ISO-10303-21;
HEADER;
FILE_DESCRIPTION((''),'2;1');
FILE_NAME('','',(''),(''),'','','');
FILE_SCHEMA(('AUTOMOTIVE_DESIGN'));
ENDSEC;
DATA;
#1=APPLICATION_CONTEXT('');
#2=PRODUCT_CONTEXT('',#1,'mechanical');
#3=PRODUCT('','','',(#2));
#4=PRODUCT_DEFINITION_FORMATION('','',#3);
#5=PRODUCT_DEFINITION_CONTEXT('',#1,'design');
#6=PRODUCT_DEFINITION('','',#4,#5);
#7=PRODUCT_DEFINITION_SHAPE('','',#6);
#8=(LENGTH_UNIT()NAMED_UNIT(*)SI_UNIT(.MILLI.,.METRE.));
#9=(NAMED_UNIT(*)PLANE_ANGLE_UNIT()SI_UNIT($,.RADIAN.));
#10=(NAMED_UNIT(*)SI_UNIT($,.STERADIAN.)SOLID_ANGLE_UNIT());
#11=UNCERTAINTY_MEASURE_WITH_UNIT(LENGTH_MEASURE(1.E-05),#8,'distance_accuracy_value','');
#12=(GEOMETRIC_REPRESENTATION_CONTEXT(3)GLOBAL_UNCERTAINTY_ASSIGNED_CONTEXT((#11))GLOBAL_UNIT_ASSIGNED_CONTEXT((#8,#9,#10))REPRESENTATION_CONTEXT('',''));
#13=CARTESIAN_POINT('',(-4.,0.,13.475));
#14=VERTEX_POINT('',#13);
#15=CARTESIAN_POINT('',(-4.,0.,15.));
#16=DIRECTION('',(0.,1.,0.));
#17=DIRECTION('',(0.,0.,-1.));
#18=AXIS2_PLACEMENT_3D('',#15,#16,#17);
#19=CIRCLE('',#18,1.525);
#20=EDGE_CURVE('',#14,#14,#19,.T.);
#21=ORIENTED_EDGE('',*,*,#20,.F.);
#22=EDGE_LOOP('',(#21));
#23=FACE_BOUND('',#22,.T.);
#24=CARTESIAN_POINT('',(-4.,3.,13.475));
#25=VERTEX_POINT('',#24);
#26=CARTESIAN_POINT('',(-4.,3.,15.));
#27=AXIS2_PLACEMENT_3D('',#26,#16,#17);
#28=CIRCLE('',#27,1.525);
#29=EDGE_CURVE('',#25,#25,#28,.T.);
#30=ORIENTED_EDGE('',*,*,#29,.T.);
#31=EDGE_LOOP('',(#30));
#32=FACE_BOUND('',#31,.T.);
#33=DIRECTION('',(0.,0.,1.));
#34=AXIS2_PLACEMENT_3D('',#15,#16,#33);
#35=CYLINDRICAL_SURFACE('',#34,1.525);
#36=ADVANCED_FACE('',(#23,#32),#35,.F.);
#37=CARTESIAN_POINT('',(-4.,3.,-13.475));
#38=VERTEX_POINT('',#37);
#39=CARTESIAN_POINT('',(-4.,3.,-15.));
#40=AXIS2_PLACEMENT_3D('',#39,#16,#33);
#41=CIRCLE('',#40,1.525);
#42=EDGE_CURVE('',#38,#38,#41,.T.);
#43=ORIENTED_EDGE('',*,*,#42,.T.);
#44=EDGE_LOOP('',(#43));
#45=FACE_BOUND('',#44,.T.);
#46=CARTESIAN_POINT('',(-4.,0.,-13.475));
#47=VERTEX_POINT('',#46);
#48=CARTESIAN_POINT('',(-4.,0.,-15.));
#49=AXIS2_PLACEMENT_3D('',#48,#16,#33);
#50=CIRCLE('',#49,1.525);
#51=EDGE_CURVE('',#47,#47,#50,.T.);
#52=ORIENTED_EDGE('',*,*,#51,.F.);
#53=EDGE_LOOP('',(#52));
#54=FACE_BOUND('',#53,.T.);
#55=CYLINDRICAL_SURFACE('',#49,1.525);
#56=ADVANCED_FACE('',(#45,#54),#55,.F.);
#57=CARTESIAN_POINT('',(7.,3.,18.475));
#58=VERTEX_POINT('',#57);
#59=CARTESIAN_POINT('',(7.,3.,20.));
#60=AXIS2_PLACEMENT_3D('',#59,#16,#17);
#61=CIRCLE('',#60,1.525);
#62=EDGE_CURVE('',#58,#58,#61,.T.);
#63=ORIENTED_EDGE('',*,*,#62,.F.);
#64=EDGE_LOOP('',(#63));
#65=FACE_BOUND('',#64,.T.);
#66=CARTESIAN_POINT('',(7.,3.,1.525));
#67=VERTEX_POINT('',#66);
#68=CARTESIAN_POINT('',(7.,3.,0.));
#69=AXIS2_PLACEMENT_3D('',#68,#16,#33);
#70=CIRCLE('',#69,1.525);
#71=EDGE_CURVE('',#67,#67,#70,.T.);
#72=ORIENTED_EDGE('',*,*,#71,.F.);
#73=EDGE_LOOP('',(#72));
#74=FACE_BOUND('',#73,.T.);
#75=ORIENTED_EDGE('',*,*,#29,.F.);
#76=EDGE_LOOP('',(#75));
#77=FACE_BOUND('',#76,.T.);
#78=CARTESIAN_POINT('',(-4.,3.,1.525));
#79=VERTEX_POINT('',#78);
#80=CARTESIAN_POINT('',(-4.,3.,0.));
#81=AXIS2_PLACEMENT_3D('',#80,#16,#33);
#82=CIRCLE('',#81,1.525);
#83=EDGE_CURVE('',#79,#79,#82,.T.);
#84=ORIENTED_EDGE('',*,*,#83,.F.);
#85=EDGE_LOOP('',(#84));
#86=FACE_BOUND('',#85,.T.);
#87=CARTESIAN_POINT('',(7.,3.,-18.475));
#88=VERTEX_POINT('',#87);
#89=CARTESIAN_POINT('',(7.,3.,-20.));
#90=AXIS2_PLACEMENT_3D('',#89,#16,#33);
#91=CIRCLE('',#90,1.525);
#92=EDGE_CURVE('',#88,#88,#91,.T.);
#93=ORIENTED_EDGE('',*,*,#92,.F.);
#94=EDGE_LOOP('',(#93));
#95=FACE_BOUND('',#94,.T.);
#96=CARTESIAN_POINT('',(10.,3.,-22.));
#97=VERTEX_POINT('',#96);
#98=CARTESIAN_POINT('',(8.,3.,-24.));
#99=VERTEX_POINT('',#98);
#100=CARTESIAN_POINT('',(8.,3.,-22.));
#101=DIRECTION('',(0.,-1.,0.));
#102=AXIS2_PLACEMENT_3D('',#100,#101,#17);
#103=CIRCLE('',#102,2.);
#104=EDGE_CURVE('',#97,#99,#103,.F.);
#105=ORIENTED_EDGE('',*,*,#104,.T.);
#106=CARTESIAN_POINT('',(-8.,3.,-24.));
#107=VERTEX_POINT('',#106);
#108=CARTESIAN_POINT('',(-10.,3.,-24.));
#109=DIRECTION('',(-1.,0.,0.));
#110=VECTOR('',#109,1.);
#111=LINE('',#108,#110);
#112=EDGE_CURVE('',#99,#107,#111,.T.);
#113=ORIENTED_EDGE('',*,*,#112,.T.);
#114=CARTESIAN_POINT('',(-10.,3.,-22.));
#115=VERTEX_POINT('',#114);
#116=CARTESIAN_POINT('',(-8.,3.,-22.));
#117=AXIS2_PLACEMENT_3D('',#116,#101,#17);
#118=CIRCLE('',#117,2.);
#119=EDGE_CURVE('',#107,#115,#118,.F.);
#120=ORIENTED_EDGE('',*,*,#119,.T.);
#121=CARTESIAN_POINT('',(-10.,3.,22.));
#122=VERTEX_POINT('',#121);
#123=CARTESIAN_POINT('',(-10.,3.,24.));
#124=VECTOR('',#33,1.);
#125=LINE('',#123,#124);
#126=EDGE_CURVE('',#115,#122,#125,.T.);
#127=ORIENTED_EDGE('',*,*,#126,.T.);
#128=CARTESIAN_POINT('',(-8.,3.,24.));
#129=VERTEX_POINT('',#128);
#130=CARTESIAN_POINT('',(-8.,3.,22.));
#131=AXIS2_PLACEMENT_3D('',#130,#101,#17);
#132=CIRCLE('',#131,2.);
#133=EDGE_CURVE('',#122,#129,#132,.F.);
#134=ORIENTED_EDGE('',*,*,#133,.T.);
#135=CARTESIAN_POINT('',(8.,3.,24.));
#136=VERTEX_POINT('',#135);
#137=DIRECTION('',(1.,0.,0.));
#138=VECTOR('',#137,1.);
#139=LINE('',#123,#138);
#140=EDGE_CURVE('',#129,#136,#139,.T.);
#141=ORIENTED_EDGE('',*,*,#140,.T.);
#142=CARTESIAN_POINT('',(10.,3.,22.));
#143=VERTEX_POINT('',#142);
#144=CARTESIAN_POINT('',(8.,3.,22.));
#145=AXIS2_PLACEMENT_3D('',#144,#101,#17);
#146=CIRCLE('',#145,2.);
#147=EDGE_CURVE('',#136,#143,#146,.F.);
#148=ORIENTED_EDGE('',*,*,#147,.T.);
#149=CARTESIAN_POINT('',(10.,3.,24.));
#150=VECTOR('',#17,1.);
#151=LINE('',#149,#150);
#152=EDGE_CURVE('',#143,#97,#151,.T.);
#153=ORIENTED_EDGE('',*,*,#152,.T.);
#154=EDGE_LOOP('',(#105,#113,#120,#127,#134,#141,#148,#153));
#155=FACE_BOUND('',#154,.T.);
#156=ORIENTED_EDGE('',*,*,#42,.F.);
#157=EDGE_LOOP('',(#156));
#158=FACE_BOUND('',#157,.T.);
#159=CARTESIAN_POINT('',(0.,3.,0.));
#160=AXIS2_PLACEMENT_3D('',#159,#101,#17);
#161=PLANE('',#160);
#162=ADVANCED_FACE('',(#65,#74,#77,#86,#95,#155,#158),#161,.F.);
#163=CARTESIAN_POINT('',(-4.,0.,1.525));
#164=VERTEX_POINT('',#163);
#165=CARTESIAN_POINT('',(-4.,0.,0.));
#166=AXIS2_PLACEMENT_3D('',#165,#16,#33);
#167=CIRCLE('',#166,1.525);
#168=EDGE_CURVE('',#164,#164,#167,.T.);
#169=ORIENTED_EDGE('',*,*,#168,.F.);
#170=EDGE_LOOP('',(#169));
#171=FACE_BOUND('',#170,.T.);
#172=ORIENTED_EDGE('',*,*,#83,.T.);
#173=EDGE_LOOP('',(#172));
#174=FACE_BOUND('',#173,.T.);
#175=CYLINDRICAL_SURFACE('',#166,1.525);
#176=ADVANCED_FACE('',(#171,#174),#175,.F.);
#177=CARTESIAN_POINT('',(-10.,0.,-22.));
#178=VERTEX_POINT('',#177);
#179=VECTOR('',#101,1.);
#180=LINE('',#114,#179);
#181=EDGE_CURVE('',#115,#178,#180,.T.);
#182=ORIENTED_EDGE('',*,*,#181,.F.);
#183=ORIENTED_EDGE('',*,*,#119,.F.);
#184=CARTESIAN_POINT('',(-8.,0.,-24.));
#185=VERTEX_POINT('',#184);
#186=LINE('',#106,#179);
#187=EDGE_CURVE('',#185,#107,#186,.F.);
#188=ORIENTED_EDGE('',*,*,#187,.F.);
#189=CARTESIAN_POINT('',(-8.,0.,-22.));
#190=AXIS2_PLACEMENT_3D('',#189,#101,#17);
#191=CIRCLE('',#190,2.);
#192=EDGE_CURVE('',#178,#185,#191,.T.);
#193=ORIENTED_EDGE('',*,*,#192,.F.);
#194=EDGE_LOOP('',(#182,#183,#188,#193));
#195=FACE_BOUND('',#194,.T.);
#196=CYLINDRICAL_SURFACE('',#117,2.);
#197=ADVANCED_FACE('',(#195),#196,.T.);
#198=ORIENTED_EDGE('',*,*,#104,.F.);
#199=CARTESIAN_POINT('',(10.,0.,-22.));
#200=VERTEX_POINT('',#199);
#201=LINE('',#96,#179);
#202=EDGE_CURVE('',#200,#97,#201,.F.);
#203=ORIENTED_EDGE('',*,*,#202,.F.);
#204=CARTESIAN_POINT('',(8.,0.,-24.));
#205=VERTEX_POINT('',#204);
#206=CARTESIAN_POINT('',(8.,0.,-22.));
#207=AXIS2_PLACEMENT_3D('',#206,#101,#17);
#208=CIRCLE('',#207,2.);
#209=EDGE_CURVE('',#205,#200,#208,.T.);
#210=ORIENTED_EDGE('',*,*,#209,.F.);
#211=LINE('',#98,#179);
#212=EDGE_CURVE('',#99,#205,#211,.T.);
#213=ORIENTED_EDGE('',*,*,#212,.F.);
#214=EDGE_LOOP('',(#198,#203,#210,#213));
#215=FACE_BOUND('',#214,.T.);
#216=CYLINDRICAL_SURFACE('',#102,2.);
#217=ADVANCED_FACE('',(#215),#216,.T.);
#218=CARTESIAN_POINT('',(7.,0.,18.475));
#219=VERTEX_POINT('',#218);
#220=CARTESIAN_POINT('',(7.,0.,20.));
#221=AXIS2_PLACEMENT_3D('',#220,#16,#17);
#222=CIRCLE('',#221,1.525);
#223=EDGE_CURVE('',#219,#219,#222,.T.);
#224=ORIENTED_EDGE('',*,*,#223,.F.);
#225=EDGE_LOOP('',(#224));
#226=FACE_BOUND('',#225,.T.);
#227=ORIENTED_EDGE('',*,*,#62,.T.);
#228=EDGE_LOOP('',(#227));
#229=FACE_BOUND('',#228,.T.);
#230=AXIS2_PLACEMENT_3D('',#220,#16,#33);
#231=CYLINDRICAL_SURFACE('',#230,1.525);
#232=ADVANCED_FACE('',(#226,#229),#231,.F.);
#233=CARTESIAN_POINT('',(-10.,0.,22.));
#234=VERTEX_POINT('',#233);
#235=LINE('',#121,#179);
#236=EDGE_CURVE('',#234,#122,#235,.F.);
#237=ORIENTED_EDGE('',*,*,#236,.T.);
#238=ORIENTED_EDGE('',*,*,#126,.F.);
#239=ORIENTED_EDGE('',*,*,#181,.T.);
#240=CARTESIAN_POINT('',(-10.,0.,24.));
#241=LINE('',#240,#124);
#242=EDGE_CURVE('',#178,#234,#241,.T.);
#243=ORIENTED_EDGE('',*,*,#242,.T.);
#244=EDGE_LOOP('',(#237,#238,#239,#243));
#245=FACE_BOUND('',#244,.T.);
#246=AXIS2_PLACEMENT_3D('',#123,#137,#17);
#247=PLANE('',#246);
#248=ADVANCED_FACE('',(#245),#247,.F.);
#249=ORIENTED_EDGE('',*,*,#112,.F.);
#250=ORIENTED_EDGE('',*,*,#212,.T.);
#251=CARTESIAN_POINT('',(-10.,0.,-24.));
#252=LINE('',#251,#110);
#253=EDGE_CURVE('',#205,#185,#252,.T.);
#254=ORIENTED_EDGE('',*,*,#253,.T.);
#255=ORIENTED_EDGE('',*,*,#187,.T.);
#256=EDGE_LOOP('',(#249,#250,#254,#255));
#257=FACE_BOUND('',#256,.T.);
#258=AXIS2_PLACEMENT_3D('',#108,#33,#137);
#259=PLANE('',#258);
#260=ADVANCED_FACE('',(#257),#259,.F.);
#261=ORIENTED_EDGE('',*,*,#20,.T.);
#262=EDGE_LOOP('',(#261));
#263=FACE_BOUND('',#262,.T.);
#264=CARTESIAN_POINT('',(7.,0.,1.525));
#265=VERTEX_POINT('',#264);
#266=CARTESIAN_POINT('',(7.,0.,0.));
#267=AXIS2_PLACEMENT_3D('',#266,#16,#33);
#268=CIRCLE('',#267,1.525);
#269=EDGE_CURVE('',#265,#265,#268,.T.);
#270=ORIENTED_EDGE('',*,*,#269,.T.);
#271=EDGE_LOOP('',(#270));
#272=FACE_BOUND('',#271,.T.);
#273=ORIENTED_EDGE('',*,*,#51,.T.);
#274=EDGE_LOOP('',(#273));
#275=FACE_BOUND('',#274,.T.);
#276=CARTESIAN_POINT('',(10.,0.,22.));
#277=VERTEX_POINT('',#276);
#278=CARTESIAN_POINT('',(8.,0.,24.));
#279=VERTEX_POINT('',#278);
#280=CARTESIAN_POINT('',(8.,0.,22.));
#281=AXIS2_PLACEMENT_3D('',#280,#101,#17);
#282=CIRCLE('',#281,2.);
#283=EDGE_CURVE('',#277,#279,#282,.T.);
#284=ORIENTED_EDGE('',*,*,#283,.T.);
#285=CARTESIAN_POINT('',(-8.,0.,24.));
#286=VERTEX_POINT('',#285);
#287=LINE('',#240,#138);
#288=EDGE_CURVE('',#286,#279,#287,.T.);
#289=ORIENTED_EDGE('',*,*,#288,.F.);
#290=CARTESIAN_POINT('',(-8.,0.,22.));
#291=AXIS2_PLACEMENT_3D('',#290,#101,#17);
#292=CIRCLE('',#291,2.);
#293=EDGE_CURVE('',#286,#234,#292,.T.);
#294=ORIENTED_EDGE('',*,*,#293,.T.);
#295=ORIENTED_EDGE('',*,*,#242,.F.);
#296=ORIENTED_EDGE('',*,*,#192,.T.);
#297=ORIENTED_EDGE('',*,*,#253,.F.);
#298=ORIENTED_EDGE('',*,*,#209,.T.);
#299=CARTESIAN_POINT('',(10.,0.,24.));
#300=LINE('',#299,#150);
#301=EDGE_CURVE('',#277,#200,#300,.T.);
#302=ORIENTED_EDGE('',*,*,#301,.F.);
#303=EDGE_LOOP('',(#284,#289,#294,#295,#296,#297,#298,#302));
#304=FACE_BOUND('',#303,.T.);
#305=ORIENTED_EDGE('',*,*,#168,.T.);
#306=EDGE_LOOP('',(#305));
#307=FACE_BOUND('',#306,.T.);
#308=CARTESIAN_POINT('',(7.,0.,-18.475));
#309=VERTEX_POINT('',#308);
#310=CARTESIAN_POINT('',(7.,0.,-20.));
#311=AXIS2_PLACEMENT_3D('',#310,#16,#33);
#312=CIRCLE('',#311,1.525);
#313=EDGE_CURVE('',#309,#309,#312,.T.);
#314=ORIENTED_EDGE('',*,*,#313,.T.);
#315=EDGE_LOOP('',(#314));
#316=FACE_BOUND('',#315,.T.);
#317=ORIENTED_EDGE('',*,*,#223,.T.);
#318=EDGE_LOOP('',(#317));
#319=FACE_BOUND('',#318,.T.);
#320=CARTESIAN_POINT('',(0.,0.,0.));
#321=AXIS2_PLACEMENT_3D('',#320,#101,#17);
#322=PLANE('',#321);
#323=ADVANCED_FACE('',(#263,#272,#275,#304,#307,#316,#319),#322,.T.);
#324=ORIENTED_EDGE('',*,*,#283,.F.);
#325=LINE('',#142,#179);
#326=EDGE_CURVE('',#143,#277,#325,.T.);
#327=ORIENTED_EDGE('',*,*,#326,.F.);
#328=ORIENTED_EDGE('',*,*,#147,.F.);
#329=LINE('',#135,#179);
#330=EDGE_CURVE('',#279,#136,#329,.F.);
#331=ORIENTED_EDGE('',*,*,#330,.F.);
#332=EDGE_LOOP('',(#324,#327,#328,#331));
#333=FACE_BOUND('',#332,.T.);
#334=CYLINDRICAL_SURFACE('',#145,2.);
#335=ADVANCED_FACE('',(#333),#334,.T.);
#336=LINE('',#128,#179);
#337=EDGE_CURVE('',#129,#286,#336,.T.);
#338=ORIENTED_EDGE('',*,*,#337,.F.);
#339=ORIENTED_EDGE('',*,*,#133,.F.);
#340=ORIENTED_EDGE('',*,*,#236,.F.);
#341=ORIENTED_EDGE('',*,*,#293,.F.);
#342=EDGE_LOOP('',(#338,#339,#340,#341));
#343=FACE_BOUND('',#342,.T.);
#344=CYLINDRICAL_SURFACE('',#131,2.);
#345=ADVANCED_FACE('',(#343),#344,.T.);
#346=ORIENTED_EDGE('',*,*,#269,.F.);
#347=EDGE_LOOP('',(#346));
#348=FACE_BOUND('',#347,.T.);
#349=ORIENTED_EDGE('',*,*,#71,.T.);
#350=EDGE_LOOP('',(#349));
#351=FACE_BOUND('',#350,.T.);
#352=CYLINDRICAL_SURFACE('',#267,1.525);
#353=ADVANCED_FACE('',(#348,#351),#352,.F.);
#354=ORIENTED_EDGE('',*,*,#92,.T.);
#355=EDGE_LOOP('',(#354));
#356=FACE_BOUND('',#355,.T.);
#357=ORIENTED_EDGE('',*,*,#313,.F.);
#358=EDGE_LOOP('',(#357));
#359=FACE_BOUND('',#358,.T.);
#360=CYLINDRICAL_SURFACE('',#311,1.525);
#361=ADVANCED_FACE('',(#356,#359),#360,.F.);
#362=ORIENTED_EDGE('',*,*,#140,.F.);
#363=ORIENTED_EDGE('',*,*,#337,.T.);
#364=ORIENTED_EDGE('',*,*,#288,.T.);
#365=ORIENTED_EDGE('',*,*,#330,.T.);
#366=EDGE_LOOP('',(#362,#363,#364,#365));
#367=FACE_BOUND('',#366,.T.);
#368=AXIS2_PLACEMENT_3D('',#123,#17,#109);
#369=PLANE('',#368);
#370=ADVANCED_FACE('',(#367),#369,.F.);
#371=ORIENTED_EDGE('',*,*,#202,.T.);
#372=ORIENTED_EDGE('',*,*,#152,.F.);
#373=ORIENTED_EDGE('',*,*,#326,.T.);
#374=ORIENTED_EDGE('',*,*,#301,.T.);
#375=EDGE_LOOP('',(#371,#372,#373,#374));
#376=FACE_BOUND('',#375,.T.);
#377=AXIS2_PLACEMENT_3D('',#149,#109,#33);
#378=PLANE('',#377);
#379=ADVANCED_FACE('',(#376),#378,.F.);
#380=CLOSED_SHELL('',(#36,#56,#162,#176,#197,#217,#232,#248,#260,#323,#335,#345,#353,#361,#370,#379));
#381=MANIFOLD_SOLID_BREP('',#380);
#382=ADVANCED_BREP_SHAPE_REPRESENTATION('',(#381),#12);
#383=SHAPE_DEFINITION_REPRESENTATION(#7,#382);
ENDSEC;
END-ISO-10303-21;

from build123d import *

# Parameters (mm, degrees)
SKETCH_1_W          = 20
SKETCH_1_H          = 48
EXTRUDE_1_DEPTH     = 3
SKETCH_2_R          = 1.525
CUT_EXTRUDE_1_DEPTH = 4
FILLET_1_R          = 2


with BuildPart() as part:
    # 草图1 → 凸台-拉伸1 (new body)
    with BuildSketch(Plane(origin=(0, 0, 0), x_dir=(1, 0, 0), z_dir=(0, 1, 0))):
        Rectangle(SKETCH_1_W, SKETCH_1_H)
    extrude(amount=EXTRUDE_1_DEPTH)

    # 草图2 → 切除-拉伸1 (cut, through all)
    with BuildSketch(Plane(origin=(0, 3, 0), x_dir=(1, 0, 0), z_dir=(0, 1, 0))):
        with Locations((7, 0)):
            Circle(SKETCH_2_R)
        with Locations((7, 20)):
            Circle(SKETCH_2_R)
        with Locations((-4, 0)):
            Circle(SKETCH_2_R)
        with Locations((-4, 15)):
            Circle(SKETCH_2_R)
        with Locations((7, -20)):
            Circle(SKETCH_2_R)
        with Locations((-4, -15)):
            Circle(SKETCH_2_R)
    extrude(amount=-CUT_EXTRUDE_1_DEPTH, mode=Mode.SUBTRACT)

    # 圆角1
    fillet_1_edges = [part.edges().sort_by_distance(p)[0] for p in [
        (10, 1.5, 24),
        (-10, 1.5, 24),
        (-10, 1.5, -24),
        (10, 1.5, -24),
    ]]
    fillet(fillet_1_edges, radius=FILLET_1_R)


solid = part.part
